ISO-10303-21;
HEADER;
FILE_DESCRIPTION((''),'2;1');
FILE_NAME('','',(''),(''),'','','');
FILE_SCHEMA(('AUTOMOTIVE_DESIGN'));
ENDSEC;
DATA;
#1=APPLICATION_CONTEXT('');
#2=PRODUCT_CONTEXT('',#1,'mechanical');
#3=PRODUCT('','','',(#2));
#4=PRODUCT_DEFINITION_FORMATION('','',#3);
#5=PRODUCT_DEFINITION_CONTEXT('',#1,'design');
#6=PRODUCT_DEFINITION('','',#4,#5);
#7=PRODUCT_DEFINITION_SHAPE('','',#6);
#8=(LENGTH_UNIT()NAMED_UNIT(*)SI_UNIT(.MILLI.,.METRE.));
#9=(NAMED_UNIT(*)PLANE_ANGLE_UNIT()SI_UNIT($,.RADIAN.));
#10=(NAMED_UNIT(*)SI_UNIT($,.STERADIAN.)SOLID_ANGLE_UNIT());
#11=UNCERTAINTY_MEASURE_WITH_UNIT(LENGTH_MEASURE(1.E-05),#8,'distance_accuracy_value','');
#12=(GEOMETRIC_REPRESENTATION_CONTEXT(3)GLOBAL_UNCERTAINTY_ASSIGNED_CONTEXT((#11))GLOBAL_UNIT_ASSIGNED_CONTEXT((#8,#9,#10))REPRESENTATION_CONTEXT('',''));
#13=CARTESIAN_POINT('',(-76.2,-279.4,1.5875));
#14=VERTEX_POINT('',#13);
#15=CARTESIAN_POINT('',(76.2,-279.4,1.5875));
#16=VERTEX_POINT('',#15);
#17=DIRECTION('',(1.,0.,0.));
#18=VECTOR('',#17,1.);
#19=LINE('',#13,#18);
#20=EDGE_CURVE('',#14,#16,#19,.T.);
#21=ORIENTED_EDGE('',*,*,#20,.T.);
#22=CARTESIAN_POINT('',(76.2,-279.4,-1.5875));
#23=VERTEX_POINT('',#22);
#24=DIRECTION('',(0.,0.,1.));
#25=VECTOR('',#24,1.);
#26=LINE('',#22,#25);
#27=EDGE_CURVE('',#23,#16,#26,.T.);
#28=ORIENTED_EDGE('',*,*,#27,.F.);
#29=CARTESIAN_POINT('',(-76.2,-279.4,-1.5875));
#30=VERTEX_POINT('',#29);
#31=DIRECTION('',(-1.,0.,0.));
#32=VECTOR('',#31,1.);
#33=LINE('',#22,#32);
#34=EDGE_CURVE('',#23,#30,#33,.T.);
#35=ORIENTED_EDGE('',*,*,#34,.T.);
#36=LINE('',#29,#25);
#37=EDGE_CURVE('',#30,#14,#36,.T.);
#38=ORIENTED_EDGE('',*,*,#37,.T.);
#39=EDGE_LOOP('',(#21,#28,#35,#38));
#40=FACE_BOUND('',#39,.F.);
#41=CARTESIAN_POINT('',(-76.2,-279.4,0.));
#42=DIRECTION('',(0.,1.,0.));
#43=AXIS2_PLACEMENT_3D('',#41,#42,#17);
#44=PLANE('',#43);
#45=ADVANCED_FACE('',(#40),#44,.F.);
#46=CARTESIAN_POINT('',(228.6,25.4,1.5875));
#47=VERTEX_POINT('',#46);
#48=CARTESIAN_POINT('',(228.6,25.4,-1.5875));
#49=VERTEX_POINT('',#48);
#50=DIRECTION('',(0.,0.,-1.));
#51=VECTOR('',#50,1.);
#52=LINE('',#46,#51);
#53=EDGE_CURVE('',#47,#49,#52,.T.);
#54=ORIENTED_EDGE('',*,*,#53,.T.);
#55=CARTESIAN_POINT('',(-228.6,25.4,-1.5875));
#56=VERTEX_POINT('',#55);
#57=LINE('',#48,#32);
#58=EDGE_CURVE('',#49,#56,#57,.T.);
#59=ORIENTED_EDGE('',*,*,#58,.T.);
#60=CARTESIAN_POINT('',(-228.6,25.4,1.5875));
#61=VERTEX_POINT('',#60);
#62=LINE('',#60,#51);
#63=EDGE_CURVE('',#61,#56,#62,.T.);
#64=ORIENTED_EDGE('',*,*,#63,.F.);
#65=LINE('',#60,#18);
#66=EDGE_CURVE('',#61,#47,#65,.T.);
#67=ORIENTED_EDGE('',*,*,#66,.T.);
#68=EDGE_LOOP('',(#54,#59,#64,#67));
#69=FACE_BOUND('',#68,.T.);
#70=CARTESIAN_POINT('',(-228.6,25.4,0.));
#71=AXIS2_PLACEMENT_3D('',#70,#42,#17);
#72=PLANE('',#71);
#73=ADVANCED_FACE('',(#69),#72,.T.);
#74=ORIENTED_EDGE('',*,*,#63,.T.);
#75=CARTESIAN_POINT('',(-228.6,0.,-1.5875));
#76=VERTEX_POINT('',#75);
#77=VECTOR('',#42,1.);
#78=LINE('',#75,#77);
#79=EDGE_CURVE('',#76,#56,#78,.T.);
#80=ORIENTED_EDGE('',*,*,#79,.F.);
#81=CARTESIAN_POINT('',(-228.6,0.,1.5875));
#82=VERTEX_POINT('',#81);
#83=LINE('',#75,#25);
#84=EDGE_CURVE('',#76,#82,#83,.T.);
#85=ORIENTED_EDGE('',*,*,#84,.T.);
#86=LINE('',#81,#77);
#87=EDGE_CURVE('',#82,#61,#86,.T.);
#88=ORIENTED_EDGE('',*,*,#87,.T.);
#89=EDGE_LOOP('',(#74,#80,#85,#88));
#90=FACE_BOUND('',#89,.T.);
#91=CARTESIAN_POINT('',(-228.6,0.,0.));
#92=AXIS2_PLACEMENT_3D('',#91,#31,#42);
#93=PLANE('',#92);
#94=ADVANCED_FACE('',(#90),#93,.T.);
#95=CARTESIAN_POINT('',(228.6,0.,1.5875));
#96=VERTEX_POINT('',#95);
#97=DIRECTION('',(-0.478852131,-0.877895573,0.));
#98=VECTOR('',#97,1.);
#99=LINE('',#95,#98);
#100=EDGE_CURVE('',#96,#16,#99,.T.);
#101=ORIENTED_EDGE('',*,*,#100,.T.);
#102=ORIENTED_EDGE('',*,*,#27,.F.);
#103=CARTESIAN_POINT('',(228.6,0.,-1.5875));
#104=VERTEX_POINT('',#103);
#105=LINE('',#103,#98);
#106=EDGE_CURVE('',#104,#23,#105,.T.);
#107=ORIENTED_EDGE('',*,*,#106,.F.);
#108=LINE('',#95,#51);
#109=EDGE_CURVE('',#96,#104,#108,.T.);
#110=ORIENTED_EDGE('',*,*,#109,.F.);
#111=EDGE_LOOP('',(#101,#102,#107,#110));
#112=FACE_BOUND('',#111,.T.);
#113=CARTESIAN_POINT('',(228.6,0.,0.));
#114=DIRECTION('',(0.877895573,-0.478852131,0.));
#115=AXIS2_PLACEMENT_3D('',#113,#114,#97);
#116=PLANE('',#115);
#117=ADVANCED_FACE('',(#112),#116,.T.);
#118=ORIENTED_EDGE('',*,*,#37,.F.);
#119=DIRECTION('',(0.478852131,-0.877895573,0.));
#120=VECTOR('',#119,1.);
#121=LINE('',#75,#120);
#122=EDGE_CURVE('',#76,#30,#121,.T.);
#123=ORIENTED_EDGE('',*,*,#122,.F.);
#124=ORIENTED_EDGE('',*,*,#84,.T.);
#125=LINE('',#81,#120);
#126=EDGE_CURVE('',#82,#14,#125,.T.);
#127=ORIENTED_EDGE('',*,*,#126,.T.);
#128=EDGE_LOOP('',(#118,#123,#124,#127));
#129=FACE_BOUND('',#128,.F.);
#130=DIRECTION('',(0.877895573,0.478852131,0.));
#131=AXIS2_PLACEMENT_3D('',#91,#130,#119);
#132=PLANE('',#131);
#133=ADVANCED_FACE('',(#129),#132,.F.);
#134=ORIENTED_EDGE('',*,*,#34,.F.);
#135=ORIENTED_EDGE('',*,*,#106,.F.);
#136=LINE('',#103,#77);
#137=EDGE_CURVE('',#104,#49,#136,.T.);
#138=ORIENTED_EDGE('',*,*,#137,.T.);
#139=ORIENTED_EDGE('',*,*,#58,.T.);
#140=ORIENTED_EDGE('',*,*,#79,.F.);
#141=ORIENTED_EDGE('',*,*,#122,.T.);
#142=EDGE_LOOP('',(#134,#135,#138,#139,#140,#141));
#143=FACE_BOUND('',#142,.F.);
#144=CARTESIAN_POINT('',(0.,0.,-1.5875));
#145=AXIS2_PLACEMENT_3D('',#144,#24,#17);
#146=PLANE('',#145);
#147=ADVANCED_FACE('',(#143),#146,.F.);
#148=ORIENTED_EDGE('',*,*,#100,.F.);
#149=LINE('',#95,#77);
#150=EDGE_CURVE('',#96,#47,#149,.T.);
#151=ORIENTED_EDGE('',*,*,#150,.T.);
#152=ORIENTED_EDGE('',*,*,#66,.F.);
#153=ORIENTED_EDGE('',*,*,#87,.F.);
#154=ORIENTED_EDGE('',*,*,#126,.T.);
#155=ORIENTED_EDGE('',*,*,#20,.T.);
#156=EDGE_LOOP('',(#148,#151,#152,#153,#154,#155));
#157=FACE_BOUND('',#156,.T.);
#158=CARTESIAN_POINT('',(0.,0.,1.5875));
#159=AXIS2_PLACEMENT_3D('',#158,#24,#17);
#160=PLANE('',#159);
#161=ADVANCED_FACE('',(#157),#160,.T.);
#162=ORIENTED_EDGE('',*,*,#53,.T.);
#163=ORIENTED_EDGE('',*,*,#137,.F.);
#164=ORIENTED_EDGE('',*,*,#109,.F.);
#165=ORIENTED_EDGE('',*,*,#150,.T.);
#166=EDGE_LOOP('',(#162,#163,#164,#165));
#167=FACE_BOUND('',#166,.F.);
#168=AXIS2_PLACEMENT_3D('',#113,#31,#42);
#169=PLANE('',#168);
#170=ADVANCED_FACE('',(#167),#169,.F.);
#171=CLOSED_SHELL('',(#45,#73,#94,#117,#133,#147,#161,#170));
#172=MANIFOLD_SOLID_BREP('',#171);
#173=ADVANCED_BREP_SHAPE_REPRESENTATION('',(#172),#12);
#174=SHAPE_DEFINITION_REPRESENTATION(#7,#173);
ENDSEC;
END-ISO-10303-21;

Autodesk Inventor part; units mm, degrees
ref_plane "YZ Plane" through (0, 0, 0) normal (1, 0, 0) x (0, 1, 0)
ref_plane "XZ Plane" through (0, 0, 0) normal (0, 1, 0) x (-1, 0, 0)
ref_plane "XY Plane" through (0, 0, 0) normal (0, 0, 1) x (1, 0, 0)
sketch "Sketch1" plane through (0, 0, 0) normal (0, 0, 1) x (1, 0, 0)
  line L0 (-320.04, 0) -> (320.04, 0) projected
  line L1 (0, -340.36) -> (0, 86.36) projected
  line L2 (-228.6, 25.4) -> (228.6, 25.4)
  line L3 (-76.2, -279.4) -> (76.2, -279.4)
  line L4 (-228.6, 0) -> (-76.2, -279.4)
  line L5 (228.6, 0) -> (76.2, -279.4)
  line L6 (228.6, 0) -> (228.6, 25.4)
  line L7 (-228.6, 0) -> (-228.6, 25.4)
  point P0 (0, 0)
  point P1 (0, 25.4)
  point P2 (0, -279.4)
  point P3 (0, 25.4)
  dimension "d0" = 152.4
  dimension "d2" = 304.8
  dimension "d7" = 25.4
  dimension "d8" = 457.2
extrude "Extrusion1" add sketch "Sketch1" along normal mid plane 3.175
properties part number "electrical board back" material "ABS Plastic"
